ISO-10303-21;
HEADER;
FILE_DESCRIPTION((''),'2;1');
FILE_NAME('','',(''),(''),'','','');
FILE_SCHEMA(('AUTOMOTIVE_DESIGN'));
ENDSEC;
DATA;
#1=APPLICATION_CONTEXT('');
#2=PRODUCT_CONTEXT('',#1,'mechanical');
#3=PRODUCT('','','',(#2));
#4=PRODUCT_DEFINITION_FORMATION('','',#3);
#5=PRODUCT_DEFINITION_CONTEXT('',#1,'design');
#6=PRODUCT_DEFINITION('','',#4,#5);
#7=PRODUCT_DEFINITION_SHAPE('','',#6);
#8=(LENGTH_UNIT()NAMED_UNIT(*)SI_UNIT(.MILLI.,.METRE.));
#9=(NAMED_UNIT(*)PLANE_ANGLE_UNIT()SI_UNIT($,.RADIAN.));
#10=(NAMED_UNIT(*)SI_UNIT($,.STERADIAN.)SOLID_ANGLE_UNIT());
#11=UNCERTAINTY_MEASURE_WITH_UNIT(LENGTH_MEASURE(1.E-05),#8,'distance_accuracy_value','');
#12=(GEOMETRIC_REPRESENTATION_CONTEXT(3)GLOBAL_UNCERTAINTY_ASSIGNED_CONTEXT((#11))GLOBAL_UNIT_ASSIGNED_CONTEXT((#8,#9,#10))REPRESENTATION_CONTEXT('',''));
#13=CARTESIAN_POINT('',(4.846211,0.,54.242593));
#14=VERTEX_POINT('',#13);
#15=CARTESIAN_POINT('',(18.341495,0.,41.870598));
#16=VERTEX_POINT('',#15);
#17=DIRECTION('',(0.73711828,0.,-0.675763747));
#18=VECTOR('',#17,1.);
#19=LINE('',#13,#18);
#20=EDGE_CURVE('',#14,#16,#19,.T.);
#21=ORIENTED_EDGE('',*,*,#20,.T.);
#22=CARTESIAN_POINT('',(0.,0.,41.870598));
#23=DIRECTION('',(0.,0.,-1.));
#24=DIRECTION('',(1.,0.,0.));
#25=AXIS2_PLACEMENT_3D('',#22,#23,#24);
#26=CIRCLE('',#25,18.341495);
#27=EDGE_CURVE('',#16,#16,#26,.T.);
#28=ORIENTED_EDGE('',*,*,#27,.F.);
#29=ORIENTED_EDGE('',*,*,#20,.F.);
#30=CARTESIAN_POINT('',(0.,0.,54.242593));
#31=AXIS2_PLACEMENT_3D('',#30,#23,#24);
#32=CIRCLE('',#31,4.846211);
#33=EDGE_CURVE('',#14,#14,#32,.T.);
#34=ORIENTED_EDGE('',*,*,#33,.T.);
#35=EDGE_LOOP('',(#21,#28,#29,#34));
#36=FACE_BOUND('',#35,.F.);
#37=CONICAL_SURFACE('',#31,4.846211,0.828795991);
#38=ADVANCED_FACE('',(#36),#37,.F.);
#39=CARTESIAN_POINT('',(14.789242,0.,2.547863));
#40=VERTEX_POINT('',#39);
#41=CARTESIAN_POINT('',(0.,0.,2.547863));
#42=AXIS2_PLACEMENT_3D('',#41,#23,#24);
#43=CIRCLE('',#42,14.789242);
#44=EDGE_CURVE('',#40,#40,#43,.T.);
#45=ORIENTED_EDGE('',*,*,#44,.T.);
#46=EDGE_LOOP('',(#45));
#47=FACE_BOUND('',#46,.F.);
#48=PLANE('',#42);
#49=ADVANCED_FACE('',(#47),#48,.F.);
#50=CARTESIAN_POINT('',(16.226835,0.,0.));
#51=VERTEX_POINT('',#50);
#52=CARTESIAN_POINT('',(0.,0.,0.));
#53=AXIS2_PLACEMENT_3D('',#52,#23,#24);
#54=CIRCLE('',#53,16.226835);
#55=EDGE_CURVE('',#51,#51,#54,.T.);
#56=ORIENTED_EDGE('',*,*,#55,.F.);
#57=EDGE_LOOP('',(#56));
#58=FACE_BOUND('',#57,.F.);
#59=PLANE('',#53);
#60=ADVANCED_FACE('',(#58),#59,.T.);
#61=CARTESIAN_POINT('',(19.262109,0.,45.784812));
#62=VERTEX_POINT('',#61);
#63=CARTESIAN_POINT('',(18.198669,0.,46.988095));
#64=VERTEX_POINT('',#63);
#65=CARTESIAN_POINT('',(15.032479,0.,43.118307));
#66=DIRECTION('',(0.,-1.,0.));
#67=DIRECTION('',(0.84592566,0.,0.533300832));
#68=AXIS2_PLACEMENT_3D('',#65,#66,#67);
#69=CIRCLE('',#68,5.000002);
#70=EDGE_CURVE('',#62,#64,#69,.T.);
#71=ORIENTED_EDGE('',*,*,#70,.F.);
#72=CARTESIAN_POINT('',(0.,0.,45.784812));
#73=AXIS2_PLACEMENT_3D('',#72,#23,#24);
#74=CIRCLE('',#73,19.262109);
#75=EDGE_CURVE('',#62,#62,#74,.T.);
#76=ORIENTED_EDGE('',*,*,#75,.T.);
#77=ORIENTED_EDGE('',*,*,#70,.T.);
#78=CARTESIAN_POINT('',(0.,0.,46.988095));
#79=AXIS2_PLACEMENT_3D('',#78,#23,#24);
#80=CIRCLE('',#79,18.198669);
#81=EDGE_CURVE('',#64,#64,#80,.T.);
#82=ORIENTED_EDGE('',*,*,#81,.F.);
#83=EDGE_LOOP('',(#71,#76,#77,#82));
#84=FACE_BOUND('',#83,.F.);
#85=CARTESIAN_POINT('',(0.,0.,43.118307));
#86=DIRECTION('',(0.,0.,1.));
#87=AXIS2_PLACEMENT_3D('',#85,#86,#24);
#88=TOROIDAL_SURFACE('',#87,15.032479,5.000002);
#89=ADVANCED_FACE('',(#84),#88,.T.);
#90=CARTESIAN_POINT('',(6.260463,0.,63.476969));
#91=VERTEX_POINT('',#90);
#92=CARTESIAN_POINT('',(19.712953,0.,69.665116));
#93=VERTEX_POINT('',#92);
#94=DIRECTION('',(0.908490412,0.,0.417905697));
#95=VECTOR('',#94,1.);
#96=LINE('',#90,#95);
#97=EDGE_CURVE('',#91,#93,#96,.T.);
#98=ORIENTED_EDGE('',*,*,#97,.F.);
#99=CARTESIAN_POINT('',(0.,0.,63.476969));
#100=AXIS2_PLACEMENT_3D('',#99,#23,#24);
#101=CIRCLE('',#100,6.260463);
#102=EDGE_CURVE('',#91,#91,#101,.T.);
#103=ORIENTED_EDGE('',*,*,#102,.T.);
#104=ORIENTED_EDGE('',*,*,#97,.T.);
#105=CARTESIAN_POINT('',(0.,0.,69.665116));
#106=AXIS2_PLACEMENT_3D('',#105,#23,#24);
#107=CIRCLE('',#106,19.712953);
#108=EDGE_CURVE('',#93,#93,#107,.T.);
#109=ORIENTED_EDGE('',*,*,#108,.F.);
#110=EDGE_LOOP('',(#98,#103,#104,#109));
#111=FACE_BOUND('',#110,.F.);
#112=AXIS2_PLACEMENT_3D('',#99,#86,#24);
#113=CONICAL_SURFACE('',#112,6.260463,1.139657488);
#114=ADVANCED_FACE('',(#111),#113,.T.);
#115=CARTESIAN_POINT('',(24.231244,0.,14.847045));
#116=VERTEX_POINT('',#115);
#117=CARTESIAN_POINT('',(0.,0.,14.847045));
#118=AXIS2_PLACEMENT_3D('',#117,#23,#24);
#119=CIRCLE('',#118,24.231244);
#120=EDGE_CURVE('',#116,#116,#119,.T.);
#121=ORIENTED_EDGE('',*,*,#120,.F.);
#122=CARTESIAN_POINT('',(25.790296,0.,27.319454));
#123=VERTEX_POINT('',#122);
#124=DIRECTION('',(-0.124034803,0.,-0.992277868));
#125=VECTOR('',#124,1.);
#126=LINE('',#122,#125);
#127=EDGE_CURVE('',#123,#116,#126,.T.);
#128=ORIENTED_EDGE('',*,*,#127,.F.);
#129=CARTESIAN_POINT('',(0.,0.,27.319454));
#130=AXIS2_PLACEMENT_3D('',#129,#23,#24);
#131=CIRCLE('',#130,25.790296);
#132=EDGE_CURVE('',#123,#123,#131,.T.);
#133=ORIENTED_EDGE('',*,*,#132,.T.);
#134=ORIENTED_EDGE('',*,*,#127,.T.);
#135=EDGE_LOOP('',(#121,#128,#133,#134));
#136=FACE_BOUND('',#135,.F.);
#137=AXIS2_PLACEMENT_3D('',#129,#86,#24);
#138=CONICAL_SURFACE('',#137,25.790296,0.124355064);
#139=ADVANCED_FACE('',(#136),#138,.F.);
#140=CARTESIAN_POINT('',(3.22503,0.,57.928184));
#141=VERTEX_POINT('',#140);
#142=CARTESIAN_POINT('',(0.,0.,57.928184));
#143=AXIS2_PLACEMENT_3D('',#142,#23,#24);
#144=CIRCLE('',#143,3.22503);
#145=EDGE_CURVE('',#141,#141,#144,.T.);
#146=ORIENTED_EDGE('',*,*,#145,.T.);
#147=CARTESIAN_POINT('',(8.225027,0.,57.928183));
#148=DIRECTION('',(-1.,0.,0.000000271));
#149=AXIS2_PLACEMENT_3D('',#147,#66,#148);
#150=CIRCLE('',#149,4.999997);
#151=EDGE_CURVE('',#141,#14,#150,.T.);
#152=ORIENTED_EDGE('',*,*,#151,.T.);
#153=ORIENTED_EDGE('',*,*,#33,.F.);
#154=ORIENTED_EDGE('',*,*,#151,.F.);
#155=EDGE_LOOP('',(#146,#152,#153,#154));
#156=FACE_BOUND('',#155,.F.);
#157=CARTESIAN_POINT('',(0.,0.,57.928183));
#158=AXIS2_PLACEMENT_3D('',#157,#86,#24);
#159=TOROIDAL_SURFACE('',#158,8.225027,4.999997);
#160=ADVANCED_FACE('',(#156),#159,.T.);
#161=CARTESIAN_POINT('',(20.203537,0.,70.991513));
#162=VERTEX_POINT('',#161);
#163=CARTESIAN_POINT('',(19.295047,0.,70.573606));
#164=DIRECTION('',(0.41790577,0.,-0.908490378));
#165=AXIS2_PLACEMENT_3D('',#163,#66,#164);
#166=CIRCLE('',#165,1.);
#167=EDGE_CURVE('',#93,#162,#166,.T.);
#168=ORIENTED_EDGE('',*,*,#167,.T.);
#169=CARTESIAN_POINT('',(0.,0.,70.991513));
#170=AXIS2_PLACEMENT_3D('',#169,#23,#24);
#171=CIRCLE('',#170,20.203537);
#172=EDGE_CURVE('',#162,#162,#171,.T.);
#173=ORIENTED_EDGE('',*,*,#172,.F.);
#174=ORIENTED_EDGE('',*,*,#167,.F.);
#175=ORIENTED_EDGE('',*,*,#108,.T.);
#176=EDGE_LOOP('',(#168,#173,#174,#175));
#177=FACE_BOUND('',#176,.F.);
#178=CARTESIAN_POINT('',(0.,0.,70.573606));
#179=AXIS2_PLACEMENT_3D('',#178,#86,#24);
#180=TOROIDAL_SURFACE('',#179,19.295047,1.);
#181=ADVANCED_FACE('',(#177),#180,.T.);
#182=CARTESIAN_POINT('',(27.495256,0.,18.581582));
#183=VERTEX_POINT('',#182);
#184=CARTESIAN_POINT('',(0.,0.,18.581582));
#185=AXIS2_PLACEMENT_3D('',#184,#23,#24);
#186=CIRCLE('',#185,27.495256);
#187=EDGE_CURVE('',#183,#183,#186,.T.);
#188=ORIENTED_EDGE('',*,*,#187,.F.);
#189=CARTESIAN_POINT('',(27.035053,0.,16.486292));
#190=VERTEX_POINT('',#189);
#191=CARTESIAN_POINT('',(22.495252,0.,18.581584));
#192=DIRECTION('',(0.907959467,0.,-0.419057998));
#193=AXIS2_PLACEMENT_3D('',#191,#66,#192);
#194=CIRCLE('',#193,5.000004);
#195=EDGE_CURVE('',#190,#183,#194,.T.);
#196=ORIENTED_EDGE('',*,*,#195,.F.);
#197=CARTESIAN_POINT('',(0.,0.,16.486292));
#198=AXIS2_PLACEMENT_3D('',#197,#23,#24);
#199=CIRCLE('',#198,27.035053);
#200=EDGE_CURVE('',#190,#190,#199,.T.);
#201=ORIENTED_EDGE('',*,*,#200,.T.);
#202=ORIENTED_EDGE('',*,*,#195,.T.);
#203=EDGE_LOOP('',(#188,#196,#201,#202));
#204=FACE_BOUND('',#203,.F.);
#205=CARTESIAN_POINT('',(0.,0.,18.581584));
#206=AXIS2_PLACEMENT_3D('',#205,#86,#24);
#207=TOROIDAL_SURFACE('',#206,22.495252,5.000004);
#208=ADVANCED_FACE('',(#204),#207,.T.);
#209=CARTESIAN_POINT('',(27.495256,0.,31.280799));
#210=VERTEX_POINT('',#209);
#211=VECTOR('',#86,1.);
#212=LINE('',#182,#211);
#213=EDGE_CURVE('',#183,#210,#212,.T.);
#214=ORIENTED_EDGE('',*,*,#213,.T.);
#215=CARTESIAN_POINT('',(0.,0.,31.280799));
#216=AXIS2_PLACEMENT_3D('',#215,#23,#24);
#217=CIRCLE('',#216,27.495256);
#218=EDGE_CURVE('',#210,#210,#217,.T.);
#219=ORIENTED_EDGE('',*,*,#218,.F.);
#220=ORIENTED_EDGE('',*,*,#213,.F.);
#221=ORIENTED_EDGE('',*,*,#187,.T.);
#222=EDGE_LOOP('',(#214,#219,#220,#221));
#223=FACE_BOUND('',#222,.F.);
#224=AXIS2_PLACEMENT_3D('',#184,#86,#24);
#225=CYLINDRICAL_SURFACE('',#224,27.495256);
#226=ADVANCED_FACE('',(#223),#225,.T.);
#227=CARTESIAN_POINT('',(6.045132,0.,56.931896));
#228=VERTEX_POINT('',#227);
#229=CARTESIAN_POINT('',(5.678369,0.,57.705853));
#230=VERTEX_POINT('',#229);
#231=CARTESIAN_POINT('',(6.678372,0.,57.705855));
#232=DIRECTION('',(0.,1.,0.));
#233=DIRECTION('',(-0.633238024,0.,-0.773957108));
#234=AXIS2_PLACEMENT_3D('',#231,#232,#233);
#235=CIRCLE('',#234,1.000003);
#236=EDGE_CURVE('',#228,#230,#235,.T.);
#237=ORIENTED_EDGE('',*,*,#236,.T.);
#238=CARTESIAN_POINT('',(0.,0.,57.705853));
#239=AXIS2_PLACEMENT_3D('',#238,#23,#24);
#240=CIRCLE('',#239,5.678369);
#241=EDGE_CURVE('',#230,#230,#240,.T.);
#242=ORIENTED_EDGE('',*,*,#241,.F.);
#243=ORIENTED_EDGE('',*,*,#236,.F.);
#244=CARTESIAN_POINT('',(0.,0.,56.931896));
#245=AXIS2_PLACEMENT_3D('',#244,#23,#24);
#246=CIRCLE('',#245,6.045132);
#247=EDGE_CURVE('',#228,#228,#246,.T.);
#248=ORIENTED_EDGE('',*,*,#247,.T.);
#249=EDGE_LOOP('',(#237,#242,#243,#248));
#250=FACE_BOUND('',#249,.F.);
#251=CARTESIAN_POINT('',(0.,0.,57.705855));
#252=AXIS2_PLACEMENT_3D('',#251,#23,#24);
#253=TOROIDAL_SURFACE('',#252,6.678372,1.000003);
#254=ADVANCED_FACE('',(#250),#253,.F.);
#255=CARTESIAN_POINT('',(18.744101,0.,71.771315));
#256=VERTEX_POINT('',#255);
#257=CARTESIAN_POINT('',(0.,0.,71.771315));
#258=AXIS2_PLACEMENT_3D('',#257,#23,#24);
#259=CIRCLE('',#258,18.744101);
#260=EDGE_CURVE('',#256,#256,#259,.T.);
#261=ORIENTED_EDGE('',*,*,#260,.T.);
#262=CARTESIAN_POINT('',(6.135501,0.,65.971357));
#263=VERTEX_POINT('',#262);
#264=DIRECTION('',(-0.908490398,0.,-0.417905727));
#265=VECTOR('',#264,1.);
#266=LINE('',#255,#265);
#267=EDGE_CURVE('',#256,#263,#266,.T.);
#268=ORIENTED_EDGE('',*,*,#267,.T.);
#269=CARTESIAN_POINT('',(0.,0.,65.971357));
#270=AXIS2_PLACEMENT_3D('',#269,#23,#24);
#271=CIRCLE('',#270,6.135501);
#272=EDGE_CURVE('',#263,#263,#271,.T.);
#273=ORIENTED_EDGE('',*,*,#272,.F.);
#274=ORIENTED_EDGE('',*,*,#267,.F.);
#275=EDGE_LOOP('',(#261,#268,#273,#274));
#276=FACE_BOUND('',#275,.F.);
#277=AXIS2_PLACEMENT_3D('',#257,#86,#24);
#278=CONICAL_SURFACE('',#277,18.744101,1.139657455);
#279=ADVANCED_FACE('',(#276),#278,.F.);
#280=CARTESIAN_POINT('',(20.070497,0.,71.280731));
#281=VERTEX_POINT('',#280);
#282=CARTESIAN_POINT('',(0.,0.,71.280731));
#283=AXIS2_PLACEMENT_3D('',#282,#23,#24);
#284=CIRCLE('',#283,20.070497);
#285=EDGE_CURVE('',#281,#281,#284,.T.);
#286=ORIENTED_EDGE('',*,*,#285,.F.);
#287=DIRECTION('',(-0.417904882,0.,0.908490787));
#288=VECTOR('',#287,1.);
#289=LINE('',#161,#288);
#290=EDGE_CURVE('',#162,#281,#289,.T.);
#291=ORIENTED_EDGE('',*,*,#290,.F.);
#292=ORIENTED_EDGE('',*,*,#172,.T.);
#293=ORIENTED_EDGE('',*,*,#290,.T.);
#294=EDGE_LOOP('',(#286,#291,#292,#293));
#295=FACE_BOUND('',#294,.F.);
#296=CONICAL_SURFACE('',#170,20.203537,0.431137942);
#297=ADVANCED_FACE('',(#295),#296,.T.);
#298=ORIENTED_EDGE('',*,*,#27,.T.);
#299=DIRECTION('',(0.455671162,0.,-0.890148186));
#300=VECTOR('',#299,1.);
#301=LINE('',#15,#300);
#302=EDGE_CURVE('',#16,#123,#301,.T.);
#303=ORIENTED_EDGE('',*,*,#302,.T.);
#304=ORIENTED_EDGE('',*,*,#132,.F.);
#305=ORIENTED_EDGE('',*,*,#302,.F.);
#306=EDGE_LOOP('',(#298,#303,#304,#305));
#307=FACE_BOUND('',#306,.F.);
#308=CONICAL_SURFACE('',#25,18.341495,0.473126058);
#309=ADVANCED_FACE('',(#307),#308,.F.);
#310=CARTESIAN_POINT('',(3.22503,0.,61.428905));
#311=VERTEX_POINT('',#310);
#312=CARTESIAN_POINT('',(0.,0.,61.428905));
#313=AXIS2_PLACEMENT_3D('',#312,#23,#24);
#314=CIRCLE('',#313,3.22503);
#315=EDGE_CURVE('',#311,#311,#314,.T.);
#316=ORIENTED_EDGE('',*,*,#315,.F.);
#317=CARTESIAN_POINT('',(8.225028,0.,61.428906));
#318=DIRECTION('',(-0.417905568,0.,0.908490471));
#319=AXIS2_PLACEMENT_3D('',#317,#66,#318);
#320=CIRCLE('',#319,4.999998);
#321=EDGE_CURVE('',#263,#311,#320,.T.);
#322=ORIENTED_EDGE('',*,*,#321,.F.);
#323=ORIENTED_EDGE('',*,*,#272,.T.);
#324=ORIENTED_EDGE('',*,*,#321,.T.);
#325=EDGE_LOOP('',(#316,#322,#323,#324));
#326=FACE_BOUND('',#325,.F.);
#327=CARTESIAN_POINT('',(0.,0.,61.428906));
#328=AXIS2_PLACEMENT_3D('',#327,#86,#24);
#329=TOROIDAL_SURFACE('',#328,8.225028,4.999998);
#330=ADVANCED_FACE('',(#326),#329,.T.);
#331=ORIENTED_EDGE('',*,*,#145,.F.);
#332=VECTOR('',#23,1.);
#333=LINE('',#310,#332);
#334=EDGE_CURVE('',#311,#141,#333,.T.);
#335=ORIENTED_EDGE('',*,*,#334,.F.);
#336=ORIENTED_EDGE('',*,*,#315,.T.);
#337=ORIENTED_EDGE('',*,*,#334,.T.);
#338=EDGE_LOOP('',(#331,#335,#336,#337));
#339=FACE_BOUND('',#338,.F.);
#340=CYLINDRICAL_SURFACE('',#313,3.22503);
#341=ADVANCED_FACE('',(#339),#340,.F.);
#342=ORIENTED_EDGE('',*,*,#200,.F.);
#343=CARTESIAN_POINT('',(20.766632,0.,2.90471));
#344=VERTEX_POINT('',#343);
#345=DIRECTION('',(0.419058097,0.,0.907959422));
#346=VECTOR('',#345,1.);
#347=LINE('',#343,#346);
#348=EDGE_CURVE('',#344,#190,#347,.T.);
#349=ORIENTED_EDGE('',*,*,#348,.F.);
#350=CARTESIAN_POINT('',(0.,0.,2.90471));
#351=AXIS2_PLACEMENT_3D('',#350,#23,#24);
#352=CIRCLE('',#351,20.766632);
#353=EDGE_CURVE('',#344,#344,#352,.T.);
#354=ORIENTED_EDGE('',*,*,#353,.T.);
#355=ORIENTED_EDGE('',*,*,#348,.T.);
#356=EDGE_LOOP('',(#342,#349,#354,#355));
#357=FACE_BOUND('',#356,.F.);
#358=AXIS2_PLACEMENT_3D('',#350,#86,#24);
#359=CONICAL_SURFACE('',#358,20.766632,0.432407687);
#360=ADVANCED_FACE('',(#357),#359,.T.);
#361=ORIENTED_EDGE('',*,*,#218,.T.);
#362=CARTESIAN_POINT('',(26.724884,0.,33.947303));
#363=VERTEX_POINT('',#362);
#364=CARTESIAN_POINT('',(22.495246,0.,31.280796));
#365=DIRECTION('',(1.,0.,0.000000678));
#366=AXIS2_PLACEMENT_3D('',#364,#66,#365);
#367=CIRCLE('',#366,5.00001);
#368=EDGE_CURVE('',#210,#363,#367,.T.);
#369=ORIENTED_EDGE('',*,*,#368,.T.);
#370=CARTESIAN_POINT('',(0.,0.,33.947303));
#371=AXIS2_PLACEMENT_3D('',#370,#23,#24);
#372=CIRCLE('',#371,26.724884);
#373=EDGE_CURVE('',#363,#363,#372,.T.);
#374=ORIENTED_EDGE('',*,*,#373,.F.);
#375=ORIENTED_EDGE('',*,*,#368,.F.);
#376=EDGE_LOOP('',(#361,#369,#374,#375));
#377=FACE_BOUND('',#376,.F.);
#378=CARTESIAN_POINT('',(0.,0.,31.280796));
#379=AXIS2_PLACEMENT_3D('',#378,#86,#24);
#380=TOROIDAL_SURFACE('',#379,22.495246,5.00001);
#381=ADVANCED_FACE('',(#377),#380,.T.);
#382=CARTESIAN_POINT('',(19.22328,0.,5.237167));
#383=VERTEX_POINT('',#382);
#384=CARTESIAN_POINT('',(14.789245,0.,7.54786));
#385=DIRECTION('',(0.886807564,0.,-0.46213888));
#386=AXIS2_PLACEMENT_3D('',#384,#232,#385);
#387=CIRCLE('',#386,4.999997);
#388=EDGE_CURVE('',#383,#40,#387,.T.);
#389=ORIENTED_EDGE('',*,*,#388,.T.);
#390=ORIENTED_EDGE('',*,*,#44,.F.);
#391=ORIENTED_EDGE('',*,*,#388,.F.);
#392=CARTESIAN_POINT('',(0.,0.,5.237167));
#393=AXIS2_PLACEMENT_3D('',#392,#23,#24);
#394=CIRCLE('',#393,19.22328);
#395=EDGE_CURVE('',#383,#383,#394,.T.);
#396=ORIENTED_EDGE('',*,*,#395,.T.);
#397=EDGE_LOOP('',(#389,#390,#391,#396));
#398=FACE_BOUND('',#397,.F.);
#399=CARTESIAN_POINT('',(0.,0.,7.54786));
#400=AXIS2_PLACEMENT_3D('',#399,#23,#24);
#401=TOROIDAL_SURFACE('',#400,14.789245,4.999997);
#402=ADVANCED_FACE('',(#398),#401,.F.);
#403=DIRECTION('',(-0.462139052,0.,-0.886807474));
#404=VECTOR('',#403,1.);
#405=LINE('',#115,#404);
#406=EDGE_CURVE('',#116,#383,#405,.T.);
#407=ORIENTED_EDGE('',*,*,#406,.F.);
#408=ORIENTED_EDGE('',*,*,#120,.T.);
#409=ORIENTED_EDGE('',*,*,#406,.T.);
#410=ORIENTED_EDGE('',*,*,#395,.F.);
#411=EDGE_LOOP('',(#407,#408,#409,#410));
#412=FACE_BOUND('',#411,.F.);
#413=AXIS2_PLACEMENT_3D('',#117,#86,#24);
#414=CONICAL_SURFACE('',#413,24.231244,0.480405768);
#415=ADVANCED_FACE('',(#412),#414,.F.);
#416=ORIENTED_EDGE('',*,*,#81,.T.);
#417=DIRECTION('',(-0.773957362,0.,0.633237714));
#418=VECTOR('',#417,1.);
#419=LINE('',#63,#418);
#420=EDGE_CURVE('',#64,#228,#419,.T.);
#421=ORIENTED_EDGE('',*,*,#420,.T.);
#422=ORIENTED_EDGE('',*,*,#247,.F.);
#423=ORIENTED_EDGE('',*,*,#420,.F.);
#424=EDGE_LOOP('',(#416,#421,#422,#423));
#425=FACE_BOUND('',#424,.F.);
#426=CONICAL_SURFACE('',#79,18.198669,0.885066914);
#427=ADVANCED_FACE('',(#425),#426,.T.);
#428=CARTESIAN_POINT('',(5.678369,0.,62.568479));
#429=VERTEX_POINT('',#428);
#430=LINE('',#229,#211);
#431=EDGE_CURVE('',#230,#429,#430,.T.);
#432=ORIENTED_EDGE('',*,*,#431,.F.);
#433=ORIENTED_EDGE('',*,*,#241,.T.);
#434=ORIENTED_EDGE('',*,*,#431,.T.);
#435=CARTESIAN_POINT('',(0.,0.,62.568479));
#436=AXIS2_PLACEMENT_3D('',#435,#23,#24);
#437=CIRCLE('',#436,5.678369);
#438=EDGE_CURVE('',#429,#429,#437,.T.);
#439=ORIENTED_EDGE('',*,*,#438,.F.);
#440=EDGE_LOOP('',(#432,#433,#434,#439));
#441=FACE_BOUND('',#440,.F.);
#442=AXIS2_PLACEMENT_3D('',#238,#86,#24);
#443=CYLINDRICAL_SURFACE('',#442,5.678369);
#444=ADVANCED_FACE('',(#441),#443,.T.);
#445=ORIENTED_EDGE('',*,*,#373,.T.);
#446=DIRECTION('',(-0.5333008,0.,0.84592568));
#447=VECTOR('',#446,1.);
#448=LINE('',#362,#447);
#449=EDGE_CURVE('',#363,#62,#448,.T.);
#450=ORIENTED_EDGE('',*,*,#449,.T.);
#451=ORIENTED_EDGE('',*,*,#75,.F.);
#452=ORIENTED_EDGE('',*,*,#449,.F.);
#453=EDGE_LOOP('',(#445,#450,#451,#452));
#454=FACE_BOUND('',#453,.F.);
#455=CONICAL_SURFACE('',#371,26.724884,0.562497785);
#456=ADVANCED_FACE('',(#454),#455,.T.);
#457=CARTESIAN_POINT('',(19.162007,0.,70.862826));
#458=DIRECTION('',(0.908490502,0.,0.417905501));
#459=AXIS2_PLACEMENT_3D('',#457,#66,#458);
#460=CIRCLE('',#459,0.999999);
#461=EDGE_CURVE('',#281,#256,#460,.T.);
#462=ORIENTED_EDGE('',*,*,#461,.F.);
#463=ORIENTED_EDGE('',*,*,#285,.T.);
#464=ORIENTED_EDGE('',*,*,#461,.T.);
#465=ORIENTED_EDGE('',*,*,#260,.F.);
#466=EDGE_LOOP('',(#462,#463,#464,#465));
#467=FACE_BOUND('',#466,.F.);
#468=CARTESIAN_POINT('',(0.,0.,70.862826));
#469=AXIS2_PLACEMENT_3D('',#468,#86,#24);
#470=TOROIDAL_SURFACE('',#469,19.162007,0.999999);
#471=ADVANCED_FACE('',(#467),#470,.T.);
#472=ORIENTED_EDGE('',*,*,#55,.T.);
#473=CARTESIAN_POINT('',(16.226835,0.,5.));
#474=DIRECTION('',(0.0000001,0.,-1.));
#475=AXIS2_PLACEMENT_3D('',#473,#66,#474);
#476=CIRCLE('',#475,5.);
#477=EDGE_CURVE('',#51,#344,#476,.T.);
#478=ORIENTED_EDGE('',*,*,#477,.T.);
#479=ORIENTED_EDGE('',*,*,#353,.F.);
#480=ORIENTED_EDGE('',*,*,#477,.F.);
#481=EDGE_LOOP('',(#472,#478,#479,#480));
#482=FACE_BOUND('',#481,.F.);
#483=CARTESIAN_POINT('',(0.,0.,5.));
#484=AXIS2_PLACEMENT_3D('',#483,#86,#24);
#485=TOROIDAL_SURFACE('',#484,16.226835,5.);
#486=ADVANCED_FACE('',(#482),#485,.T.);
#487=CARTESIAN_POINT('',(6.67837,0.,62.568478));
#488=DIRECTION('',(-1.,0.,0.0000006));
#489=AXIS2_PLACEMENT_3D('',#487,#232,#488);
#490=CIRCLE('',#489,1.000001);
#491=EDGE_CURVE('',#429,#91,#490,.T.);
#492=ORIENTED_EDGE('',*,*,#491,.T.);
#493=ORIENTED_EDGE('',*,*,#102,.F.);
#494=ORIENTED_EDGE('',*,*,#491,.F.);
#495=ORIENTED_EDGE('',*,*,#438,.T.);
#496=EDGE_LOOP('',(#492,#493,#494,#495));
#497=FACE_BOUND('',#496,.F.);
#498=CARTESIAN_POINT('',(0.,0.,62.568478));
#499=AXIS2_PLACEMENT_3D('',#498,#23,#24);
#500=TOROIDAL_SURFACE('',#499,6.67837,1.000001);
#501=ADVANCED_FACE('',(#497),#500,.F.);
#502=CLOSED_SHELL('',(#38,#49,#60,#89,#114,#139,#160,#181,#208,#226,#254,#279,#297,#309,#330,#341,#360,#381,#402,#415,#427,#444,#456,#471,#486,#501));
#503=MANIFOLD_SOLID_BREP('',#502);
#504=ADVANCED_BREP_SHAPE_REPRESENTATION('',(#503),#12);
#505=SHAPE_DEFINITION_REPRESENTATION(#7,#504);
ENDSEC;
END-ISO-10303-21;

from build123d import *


with BuildPart() as f1:
    # F0 (on Front) → F1 (revolve)
    with BuildSketch(Plane.XZ):
        with BuildLine():
            Line((0, 2.547863), (0, 0))
            Line((0, 0), (16.226835, 0))
            ThreePointArc((16.226835, 0), (18.921603, 0.788323), (20.766632, 2.90471))
            Line((20.766632, 2.90471), (27.035053, 16.486292))
            ThreePointArc((27.035053, 16.486292), (27.37885, 17.508965), (27.495256, 18.581582))
            Line((27.495256, 18.581582), (27.495256, 31.280799))
            ThreePointArc((27.495256, 31.280799), (27.298803, 32.668578), (26.724884, 33.947303))
            Line((26.724884, 33.947303), (19.262109, 45.784812))
            ThreePointArc((19.262109, 45.784812), (18.779012, 46.429426), (18.198669, 46.988095))
            Line((18.198669, 46.988095), (6.045132, 56.931896))
            ThreePointArc((6.045132, 56.931896), (5.7747, 57.277623), (5.678369, 57.705853))
            Line((5.678369, 57.705853), (5.678369, 62.568479))
            ThreePointArc((5.678369, 62.568479), (5.836376, 63.107967), (6.260463, 63.476969))
            Line((6.260463, 63.476969), (19.712953, 69.665116))
            ThreePointArc((19.712953, 69.665116), (20.232951, 70.226711), (20.203537, 70.991513))
            Line((20.203537, 70.991513), (20.070497, 71.280731))
            ThreePointArc((20.070497, 71.280731), (19.508902, 71.800729), (18.744101, 71.771315))
            Line((18.744101, 71.771315), (6.135501, 65.971357))
            ThreePointArc((6.135501, 65.971357), (4.015063, 64.126345), (3.22503, 61.428905))
            Line((3.22503, 61.428905), (3.22503, 57.928184))
            ThreePointArc((3.22503, 57.928184), (3.648235, 55.91499), (4.846211, 54.242593))
            Line((4.846211, 54.242593), (18.341495, 41.870598))
            Line((18.341495, 41.870598), (25.790296, 27.319454))
            Line((25.790296, 27.319454), (24.231244, 14.847045))
            Line((24.231244, 14.847045), (19.22328, 5.237167))
            ThreePointArc((19.22328, 5.237167), (17.382168, 3.272732), (14.789242, 2.547863))
            Line((14.789242, 2.547863), (0, 2.547863))
        make_face()
    revolve(axis=Axis((0, 0, 1.273931), (0, 0, -1)))


solid = f1.part
